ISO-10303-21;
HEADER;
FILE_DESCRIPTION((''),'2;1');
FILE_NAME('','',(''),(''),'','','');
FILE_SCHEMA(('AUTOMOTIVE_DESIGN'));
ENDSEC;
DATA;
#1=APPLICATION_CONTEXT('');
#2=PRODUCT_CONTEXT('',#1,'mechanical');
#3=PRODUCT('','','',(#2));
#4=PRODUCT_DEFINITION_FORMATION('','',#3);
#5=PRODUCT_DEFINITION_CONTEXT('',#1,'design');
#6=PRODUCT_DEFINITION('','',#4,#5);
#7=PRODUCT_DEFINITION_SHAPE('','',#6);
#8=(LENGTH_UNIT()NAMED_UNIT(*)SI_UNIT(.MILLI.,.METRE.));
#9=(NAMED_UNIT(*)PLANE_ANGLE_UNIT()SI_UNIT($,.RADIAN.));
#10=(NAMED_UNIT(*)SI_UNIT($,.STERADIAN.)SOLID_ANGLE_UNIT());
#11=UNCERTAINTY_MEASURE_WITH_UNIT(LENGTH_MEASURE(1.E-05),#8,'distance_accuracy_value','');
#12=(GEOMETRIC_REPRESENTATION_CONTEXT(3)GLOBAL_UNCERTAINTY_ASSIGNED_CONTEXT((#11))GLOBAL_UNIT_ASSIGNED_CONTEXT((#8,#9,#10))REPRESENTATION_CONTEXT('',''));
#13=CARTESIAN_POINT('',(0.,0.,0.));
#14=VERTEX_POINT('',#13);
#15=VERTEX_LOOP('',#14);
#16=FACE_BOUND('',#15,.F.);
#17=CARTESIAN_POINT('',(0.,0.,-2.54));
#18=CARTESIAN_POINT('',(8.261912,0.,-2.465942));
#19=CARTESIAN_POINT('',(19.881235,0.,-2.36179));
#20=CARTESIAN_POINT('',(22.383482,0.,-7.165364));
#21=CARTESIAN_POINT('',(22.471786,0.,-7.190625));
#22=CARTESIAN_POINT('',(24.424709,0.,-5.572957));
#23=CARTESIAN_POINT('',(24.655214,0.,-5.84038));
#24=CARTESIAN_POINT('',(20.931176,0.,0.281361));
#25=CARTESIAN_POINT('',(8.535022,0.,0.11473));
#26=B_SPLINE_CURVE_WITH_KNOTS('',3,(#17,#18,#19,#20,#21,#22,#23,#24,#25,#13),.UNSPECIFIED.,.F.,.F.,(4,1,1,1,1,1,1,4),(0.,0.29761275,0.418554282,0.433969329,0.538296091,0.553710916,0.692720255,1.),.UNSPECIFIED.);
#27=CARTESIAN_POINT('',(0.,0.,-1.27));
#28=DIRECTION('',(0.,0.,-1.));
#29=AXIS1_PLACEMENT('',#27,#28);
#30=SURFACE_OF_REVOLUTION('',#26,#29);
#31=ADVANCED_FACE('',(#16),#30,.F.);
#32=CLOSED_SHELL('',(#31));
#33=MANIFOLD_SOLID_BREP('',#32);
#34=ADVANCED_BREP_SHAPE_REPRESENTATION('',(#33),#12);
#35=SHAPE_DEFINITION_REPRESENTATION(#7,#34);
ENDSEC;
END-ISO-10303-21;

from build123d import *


with BuildPart() as f1:
    # F0 (on Front) → F1 (revolve)
    with BuildSketch(Plane.XZ):
        with BuildLine():
            add(Edge.make_bspline(
                [(0, -2.54), (8.2619122422, -2.4659424883), (19.8812354858, -2.3617900667), (22.3834822776, -7.1653644028), (22.4717861324, -7.1906245626), (24.4247089454, -5.5729570269), (24.6552144501, -5.8403800528), (20.93117552, 0.2813611354), (8.5350216672, 0.1147295041), (0, 0)],
                knots=[0, 0, 0, 0, 0.2976127499, 0.4185542815, 0.4339693291, 0.538296091, 0.5537109162, 0.6927202546, 1, 1, 1, 1], degree=3))
            Line((0, 0), (0, -2.54))
        make_face()
    revolve(axis=Axis((0, 0, -1.27), (0, 0, -1)))


solid = f1.part
